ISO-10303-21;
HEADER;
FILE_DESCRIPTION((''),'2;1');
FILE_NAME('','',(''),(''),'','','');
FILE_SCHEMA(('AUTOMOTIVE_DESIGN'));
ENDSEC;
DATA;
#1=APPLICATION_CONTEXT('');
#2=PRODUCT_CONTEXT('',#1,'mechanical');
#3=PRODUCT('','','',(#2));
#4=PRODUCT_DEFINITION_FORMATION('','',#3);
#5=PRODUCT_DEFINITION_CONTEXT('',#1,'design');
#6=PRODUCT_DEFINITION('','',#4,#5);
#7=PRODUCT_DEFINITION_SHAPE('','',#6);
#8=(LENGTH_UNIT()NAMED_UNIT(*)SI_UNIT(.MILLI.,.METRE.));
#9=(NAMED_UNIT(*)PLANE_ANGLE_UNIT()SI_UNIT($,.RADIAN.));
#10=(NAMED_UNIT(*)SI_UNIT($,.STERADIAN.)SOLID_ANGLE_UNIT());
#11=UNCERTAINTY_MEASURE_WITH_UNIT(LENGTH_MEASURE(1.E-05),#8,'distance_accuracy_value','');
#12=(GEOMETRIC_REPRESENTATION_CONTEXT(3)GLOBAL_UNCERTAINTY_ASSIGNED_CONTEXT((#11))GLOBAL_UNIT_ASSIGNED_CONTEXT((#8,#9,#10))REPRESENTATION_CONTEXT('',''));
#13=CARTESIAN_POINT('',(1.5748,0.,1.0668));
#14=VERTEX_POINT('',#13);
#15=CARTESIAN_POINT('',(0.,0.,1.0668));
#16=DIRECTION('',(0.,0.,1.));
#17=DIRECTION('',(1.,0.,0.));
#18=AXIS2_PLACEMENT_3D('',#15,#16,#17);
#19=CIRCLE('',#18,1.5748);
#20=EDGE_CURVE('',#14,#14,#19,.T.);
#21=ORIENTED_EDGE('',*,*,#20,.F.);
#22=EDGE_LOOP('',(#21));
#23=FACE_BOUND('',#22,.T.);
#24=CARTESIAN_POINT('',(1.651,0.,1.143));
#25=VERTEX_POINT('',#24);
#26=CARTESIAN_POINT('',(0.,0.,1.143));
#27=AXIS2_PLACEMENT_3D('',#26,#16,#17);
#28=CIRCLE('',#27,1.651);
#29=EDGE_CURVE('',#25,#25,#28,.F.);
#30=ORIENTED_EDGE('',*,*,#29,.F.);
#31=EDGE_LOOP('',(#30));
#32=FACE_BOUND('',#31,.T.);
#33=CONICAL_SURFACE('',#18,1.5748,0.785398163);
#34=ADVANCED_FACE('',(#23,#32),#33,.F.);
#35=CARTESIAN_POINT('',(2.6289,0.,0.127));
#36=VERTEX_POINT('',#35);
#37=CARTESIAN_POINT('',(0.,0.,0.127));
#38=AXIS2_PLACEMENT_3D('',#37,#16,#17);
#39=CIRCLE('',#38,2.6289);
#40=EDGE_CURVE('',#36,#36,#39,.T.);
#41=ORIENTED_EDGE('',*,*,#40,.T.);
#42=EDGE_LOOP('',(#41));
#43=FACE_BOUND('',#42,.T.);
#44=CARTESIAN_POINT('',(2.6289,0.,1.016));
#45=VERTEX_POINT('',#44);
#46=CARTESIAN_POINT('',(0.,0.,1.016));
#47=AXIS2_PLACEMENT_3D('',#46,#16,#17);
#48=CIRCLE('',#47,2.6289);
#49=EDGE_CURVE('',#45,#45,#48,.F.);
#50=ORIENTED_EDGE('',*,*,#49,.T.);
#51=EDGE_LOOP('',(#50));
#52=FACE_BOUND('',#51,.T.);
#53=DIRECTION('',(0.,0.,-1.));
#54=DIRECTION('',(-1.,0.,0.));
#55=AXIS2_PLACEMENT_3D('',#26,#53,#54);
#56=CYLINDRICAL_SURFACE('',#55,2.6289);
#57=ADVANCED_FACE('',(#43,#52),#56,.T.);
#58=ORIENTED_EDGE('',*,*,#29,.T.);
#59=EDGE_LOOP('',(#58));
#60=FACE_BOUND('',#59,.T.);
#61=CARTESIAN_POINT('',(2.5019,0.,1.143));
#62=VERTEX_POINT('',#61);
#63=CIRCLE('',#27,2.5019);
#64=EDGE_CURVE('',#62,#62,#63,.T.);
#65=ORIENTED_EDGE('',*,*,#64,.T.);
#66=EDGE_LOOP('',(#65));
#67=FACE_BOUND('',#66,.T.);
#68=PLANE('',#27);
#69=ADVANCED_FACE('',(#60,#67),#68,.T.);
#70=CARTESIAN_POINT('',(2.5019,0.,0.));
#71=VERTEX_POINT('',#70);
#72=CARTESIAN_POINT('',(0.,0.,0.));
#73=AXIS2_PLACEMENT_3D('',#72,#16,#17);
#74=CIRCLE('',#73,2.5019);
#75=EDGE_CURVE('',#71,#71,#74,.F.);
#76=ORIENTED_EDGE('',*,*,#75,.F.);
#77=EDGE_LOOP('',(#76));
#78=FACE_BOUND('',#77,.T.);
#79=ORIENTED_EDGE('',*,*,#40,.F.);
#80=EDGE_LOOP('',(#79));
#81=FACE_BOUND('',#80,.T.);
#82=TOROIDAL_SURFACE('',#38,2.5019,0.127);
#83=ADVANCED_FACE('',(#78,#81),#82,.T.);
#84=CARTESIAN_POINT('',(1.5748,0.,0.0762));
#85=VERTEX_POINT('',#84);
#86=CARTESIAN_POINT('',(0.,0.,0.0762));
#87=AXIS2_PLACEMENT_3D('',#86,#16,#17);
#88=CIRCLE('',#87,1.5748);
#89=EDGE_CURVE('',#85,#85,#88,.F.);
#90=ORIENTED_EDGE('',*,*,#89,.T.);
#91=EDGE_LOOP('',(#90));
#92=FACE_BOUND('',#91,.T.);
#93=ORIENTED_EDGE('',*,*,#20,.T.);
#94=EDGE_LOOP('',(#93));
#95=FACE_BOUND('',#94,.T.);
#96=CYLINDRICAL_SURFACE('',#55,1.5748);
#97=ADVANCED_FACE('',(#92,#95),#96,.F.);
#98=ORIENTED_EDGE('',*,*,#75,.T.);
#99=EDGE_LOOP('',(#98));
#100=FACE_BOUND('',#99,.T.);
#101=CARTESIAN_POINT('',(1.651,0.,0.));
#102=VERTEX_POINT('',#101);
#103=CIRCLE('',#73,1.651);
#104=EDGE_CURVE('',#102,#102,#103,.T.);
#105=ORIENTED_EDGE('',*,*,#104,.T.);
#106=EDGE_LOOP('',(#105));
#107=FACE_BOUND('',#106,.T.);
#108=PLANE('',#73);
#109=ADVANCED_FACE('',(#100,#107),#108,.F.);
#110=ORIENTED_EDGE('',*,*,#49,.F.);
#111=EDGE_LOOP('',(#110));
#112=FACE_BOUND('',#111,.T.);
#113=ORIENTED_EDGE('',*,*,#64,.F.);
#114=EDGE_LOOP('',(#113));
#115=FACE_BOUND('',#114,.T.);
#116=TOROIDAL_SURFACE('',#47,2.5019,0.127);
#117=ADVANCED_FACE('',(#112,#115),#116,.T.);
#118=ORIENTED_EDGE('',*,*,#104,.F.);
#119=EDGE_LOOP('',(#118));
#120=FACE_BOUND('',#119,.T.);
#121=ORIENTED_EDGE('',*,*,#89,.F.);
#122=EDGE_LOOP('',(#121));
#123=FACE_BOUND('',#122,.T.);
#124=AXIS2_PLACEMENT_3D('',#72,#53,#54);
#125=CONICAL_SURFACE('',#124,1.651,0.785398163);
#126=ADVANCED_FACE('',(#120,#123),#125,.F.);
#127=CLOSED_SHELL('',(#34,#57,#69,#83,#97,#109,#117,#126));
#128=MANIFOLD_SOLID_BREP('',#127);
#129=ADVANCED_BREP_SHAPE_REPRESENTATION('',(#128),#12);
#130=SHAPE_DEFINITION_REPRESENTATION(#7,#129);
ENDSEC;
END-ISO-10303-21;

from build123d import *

# Parameters (mm, degrees)
SKETCH1_R           = 2.6289
SKETCH1_R_2         = 1.5748
BOSS_EXTRUDE1_DEPTH = 1.143
FILLET1_R           = 0.127
CHAMFER1_SIZE       = 0.0762


with BuildPart() as part:
    # Sketch1 → Boss-Extrude1 (new body)
    with BuildSketch(Plane.XY):
        Circle(SKETCH1_R)
        Circle(SKETCH1_R_2, mode=Mode.SUBTRACT)
    extrude(amount=BOSS_EXTRUDE1_DEPTH)

    # Fillet1
    fillet1_edges = [part.edges().sort_by_distance(p)[0] for p in [
        (-2.6289, 0, 0),
        (-2.6289, 0, 1.143),
    ]]
    fillet(fillet1_edges, radius=FILLET1_R)

    # Chamfer1
    chamfer1_edges = [part.edges().sort_by_distance(p)[0] for p in [
        (-1.5748, 0, 0),
        (-1.5748, 0, 1.143),
    ]]
    chamfer(chamfer1_edges, length=CHAMFER1_SIZE)


solid = part.part
